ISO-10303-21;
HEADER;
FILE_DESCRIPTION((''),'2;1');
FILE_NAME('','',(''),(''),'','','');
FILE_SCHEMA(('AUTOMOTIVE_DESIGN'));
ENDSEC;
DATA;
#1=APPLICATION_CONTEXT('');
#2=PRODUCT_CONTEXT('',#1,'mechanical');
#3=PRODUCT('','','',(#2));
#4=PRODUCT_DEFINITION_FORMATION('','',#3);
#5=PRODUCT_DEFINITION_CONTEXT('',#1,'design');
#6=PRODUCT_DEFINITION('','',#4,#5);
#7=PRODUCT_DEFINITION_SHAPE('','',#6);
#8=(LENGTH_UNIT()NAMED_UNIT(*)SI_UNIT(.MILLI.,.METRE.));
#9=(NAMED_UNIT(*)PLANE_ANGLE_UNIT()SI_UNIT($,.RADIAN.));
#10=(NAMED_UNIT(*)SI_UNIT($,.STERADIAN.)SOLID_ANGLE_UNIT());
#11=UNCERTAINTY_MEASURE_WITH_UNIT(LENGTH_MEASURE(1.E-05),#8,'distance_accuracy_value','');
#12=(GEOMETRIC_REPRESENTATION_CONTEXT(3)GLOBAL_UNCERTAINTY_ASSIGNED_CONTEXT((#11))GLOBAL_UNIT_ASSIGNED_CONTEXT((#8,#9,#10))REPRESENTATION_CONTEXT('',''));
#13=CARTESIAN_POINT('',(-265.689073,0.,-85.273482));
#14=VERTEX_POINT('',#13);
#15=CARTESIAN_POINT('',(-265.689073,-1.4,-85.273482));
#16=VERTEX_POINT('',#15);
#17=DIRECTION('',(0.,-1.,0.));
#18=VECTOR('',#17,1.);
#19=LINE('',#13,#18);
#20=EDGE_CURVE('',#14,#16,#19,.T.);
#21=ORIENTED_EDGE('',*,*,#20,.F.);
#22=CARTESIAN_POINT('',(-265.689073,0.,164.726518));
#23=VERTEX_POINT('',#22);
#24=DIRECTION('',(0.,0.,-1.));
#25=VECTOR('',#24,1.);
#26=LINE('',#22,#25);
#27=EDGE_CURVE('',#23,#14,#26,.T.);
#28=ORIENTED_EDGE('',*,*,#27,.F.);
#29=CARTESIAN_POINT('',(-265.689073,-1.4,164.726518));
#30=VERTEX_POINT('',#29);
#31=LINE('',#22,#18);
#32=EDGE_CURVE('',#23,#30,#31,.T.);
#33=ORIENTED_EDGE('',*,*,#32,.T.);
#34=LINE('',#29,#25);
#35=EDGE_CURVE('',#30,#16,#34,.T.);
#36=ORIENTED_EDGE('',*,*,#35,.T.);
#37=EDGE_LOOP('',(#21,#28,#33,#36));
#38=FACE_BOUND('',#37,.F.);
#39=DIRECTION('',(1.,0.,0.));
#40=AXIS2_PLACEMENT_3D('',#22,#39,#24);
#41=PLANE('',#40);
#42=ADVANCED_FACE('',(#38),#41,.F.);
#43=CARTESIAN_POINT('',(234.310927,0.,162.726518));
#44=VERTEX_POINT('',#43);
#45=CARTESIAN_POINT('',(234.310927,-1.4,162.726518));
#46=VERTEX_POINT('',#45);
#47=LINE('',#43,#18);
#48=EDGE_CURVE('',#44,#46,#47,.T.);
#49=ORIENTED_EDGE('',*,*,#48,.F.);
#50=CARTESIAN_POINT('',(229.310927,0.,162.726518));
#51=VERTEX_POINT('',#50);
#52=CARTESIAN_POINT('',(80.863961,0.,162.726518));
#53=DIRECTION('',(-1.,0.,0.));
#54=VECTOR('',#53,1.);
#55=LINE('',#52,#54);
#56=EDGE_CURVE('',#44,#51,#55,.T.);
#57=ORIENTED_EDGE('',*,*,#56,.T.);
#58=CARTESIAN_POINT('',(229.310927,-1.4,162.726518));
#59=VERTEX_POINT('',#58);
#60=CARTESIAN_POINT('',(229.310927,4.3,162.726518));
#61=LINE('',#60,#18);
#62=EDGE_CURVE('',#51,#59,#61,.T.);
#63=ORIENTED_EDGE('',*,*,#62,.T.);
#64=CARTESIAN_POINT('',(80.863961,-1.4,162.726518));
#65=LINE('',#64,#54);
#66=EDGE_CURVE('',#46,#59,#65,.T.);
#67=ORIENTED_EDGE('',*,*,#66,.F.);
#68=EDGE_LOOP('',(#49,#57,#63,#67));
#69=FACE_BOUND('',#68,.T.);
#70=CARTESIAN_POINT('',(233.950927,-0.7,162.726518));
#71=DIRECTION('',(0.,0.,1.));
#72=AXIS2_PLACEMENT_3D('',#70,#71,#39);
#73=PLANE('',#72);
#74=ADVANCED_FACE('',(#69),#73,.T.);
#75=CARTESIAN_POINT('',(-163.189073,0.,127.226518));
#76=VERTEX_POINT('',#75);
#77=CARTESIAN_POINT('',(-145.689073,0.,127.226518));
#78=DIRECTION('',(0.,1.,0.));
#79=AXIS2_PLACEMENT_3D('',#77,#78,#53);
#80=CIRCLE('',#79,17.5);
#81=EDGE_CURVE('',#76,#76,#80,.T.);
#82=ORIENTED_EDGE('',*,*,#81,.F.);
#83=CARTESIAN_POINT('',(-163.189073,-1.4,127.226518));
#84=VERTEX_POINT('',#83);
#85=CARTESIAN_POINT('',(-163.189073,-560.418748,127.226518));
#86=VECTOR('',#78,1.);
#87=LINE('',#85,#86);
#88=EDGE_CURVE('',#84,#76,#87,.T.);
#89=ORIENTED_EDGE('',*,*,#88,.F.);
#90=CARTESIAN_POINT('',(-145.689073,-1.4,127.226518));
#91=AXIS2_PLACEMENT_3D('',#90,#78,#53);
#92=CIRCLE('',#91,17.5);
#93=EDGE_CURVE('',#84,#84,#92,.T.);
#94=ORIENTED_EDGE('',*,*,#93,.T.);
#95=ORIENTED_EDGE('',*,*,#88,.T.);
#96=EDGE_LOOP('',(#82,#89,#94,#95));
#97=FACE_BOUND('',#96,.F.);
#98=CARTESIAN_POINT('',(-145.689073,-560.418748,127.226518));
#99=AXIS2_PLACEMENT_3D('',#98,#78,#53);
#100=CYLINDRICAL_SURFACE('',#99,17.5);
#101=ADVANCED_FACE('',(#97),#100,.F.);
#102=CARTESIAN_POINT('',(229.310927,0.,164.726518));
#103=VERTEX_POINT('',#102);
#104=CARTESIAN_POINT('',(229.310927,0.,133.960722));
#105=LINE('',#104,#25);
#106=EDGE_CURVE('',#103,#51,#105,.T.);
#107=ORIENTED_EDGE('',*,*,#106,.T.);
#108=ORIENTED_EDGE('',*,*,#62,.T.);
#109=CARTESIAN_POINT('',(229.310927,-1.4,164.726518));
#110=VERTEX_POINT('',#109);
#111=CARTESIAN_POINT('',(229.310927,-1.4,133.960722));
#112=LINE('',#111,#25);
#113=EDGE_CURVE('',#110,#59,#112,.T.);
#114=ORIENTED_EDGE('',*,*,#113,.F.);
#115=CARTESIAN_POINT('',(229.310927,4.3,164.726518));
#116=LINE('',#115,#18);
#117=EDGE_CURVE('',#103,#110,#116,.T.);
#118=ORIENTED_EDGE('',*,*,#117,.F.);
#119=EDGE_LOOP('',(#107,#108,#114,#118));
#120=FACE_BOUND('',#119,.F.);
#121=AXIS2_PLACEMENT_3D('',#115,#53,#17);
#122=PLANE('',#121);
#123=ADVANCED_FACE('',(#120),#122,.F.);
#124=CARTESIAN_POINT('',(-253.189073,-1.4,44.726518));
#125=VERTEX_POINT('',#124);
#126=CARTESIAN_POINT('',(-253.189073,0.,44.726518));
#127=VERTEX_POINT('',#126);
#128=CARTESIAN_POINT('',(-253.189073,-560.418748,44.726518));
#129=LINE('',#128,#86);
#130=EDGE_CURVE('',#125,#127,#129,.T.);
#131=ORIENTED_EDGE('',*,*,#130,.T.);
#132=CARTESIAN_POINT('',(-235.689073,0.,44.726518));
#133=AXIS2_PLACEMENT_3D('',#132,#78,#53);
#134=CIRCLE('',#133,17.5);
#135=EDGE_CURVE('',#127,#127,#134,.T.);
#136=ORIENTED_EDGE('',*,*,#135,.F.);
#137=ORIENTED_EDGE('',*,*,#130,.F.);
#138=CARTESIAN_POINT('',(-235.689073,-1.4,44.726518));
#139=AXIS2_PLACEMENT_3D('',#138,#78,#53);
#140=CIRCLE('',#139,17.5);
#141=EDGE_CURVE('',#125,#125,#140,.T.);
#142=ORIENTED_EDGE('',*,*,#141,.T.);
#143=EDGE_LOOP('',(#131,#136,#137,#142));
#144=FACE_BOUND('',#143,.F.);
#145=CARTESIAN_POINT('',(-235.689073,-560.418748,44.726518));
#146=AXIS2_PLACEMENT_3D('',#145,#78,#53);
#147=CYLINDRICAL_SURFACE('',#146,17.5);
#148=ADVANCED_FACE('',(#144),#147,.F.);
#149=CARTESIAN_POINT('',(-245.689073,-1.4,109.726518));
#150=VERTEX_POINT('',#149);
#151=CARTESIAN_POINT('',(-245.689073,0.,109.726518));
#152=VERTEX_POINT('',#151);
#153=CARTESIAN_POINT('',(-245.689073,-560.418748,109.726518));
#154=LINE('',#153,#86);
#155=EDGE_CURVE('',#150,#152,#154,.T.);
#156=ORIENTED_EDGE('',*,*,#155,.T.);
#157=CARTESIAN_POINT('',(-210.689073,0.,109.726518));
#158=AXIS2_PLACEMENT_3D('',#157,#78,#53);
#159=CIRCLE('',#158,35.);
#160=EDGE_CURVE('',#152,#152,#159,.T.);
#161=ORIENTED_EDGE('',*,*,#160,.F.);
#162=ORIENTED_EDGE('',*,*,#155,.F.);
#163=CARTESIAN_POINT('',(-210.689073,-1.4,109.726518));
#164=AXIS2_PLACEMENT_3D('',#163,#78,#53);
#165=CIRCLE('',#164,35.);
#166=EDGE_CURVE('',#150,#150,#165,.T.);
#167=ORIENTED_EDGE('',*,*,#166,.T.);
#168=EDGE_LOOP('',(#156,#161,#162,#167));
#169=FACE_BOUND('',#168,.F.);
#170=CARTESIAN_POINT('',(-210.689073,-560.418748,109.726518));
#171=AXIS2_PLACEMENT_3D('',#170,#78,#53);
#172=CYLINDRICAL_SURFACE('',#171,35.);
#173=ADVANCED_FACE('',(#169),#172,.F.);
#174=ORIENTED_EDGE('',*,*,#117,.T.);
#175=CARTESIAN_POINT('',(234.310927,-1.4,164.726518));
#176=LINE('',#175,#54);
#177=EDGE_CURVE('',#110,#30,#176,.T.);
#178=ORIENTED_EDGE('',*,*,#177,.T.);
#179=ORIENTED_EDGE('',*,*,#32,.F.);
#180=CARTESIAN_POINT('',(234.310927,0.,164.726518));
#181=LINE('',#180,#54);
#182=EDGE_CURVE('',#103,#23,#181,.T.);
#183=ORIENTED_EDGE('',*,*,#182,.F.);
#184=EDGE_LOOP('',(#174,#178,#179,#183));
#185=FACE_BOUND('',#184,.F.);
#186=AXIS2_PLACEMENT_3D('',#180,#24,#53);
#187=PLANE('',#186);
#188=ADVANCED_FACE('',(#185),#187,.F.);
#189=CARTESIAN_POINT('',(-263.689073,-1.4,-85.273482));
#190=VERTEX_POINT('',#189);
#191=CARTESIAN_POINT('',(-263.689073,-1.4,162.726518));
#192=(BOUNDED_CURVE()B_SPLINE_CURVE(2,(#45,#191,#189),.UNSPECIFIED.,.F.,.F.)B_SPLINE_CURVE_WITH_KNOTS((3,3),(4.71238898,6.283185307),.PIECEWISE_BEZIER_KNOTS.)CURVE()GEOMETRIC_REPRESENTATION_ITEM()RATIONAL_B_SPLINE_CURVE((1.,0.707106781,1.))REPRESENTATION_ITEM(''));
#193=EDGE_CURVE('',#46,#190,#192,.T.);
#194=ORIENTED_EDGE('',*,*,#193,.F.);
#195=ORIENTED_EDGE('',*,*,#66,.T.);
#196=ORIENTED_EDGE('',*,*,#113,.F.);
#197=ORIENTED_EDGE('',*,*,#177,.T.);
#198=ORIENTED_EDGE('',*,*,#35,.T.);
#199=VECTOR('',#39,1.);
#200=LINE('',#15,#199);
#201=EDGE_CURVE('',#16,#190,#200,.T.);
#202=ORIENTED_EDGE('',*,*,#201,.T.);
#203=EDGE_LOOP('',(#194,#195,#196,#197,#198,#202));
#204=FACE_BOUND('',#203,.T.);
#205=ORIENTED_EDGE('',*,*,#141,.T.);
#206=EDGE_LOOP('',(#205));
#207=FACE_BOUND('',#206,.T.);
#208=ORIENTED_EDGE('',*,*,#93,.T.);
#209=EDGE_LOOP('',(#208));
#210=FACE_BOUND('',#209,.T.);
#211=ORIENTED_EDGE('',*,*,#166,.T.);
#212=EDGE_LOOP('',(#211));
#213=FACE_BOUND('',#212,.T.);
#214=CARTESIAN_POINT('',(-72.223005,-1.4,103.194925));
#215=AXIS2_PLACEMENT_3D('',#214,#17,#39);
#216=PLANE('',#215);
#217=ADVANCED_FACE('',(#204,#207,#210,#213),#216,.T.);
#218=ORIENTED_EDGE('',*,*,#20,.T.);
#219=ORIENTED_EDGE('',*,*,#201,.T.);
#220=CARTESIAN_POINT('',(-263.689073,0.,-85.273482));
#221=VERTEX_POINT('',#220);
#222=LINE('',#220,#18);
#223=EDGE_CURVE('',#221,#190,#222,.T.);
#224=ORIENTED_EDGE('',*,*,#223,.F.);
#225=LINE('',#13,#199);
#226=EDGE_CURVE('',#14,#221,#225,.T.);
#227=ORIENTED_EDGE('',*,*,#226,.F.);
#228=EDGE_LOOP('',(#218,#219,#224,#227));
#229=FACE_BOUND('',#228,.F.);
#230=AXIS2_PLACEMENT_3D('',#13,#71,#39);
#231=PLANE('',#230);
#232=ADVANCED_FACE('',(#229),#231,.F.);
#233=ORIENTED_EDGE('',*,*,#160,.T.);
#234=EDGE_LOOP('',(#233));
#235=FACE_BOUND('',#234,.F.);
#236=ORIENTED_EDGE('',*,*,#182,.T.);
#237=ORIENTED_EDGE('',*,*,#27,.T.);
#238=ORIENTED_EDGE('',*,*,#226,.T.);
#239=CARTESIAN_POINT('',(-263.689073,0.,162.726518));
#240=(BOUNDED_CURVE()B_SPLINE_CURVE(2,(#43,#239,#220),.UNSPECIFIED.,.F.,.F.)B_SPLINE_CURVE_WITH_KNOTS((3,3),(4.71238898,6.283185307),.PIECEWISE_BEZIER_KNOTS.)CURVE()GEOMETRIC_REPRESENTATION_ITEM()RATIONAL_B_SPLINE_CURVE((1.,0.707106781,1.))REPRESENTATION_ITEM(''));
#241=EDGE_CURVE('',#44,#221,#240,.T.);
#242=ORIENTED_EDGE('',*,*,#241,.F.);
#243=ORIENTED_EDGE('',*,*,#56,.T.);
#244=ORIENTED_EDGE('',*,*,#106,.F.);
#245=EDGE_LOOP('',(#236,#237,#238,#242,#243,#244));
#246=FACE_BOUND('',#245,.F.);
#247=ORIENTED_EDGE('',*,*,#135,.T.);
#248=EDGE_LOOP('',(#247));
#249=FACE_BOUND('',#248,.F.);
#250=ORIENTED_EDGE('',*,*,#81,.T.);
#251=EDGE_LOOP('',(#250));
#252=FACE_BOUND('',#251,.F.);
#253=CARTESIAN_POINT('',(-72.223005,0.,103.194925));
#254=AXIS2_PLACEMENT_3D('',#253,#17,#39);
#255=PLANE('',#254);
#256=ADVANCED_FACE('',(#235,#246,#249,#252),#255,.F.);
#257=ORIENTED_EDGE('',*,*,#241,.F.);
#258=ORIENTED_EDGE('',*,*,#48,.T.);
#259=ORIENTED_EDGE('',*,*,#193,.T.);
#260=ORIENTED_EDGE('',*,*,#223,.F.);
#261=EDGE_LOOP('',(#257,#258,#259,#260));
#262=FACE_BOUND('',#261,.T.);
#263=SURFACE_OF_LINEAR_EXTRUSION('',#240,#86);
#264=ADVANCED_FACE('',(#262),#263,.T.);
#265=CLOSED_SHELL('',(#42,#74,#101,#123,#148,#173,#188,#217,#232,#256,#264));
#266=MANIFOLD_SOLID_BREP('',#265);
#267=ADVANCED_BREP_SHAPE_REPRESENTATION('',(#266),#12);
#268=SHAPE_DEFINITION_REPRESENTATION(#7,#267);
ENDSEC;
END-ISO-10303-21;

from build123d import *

# Parameters (mm, degrees)
F1_DEPTH = 1.4
F3_D     = 70
F4_D     = 35
F5_W     = 5
F5_H     = 1.4
F6_DEPTH = 2


with BuildPart() as f1:
    # F0 (on Front) → F1 (new body)
    with BuildSketch(Plane.XZ):
        with BuildLine():
            Line((234.3109268695, 164.7265180945), (-265.6890731305, 164.7265180945))
            Line((-265.6890731305, 164.7265180945), (-265.6890731305, -85.2734819055))
            Line((-265.6890731305, -85.2734819055), (-263.6890731305, -85.2734819055))
            add(Edge.make_bspline(
                [(234.3109268695, 162.7265180945), (-263.6890731305, 162.7265180945), (-263.6890731305, -85.2734819055)],
                knots=[4.7123889804, 4.7123889804, 4.7123889804, 6.2831853072, 6.2831853072, 6.2831853072], degree=2, weights=[1, 0.7071067812, 1]))
            Line((234.3109268695, 162.7265180945), (234.3109268695, 164.7265180945))
        make_face()
    extrude(amount=F1_DEPTH)

    # F3 (through all)
    with Locations(Plane.XZ.offset(1.4)):
        with Locations((-210.6890731305, 109.7265180945)):
            Hole(F3_D / 2)

    # F4 (through all)
    with Locations(Plane.XZ.offset(1.4)):
        with Locations((-145.6890731305, 127.2265180945), (-235.6890731305, 44.7265180945)):
            Hole(F4_D / 2)

    # F5 (on face) → F6 (cut)
    with BuildSketch(Plane.XY.offset(164.7265180945)):
        Polygon((239.3109268695, -5.7), (239.3109268695, 4.3), (229.3109268695, 4.3), (229.3109268695, 0), (234.3109268695, 0), (234.3109268695, -1.4), (229.3109268695, -1.4), (229.3109268695, -5.7), align=None)
        with Locations((231.8109268695, -0.7)):
            Rectangle(F5_W, F5_H)
    extrude(amount=-F6_DEPTH, mode=Mode.SUBTRACT)


solid = f1.part
